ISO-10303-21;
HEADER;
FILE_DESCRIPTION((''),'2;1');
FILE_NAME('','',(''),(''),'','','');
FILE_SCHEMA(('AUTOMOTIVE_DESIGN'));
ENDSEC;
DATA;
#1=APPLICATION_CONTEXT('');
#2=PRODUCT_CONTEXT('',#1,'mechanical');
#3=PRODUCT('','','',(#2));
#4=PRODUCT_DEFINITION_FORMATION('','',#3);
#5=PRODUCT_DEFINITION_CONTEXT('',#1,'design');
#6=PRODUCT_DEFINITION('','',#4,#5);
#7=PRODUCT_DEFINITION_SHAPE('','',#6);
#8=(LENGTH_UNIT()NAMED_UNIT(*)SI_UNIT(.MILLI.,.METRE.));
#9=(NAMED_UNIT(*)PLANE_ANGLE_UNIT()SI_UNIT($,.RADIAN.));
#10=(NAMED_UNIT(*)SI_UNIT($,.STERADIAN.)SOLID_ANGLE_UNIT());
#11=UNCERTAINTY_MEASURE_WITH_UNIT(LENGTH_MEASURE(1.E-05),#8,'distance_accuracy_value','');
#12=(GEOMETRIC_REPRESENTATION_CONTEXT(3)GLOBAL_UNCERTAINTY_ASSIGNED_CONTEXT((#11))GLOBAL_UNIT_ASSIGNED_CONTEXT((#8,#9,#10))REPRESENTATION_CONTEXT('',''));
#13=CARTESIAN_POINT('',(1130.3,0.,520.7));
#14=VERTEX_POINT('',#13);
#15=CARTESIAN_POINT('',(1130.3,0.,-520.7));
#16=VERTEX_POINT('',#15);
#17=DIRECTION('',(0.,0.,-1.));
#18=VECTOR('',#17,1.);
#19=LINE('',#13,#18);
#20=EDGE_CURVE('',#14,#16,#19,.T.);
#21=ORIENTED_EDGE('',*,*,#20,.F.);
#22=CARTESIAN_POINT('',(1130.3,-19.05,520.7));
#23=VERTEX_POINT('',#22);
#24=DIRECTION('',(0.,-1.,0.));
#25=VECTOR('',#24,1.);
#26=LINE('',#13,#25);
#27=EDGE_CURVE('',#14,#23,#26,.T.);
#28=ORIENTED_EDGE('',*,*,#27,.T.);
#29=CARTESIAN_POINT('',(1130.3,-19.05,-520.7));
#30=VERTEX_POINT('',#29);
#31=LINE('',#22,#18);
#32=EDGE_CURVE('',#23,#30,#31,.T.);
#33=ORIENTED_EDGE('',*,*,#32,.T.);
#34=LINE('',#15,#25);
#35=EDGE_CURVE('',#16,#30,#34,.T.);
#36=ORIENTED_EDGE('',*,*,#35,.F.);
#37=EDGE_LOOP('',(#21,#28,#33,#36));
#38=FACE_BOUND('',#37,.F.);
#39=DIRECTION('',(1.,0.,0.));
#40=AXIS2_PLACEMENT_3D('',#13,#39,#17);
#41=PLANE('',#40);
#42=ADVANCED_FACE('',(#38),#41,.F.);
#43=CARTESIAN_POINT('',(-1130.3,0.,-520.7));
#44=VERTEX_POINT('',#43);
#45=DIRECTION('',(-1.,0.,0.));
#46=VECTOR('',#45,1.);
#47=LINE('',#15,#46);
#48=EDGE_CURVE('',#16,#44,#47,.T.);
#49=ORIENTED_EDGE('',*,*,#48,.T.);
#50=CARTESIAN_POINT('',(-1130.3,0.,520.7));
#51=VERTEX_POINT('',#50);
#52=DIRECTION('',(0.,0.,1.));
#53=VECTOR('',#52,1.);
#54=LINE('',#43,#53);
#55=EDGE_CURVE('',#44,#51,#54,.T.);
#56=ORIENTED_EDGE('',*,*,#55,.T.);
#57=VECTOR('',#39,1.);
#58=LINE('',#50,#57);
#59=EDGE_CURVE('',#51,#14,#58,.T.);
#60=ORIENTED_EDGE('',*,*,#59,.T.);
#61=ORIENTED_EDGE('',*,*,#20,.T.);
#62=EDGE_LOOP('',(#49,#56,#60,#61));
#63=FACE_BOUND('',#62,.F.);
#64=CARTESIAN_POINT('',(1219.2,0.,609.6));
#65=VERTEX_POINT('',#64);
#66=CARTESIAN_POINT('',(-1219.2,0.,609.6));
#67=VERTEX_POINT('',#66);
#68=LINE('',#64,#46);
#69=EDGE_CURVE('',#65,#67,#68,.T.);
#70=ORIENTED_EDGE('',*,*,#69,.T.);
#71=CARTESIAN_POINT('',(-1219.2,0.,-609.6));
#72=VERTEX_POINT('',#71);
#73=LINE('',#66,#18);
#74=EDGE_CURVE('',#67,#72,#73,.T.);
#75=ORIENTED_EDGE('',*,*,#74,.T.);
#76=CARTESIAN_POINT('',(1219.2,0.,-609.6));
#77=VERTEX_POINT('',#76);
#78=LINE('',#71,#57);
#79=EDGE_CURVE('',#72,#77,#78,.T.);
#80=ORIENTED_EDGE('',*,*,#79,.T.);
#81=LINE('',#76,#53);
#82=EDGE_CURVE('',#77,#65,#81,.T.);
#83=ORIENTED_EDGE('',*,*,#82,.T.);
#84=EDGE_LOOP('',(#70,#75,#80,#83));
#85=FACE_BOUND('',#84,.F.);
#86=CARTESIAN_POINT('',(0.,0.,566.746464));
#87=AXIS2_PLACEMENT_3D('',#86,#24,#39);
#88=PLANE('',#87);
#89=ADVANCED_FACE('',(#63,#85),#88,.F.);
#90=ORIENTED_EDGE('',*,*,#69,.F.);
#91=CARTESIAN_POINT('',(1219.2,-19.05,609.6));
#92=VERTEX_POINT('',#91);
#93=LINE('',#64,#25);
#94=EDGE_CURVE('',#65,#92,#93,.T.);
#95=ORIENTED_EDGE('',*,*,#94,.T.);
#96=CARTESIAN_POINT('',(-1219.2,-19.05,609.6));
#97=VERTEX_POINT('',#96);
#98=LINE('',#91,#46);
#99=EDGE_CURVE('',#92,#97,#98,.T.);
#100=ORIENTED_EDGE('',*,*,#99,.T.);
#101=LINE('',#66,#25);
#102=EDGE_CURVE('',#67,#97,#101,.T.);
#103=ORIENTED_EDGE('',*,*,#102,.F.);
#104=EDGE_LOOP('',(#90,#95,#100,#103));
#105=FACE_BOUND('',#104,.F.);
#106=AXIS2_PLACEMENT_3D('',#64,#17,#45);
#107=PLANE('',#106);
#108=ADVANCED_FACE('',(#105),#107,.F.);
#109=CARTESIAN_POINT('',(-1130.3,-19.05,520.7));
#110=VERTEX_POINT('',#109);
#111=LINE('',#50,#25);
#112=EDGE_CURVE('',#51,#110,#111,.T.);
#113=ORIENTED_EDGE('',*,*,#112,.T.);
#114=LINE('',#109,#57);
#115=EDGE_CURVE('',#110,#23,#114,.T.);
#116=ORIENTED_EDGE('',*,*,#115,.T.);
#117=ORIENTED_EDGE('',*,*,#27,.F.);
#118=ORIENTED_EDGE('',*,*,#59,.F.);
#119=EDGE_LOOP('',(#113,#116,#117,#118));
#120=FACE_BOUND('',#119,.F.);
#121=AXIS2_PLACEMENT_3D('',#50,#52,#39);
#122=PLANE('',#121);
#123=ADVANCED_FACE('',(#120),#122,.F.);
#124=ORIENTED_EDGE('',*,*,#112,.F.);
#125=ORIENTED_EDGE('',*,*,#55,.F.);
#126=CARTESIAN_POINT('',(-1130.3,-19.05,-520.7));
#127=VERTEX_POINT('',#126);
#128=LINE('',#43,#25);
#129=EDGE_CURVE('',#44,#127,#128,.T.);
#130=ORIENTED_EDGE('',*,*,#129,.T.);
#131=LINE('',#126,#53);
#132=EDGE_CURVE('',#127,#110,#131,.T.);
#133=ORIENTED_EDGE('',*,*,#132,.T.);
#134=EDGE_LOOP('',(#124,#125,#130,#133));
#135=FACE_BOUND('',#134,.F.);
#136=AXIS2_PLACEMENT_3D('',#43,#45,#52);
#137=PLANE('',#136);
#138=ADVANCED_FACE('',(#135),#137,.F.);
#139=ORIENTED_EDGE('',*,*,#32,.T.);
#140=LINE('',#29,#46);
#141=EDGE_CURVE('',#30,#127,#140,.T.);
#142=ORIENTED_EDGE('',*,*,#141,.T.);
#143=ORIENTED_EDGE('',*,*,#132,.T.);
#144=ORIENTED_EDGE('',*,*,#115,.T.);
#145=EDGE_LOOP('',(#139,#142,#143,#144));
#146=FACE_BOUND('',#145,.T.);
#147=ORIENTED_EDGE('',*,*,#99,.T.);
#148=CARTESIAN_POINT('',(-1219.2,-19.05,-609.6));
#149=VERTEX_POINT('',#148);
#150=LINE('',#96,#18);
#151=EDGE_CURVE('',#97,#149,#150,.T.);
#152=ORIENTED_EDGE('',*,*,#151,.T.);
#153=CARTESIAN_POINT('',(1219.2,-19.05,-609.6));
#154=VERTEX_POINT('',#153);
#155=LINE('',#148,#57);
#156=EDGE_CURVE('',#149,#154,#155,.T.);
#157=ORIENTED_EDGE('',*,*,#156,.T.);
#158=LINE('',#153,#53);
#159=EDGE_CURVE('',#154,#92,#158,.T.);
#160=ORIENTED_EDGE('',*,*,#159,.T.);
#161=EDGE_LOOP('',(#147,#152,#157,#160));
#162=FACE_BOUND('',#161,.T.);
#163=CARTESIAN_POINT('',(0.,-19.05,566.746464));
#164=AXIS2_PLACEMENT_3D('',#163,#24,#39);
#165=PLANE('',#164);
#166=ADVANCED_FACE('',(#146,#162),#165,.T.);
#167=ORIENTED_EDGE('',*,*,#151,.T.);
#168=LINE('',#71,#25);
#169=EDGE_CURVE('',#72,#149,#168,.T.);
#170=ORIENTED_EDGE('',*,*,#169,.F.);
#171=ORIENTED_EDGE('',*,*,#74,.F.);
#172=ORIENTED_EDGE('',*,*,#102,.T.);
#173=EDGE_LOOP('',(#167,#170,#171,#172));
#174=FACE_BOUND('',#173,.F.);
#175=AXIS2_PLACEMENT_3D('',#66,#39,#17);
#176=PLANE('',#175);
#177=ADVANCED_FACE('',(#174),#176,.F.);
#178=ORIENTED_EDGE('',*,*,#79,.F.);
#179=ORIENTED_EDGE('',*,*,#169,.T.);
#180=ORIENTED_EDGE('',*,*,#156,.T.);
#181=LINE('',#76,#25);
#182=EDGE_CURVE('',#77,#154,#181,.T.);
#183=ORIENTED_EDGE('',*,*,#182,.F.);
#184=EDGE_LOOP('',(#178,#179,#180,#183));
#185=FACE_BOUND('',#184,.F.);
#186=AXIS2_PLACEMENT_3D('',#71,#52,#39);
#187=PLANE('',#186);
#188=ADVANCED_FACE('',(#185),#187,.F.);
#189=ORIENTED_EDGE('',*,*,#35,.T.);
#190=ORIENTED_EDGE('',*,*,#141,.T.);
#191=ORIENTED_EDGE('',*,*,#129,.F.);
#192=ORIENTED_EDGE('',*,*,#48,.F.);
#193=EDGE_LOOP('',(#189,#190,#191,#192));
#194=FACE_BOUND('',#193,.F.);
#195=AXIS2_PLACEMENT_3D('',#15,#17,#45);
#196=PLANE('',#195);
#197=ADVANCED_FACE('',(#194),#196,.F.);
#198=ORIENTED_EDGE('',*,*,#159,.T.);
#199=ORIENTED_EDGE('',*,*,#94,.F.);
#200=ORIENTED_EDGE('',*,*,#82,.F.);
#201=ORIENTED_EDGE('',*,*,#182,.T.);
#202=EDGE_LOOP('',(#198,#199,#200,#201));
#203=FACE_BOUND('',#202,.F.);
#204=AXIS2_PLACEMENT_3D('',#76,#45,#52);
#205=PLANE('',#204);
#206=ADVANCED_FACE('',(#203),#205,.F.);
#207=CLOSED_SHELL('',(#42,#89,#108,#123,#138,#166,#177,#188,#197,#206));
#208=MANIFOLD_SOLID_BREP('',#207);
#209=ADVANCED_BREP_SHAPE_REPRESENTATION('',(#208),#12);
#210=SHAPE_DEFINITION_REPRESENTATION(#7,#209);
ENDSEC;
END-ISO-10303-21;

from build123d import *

# Parameters (mm, degrees)
F1_DEPTH = 19.05


with BuildPart() as f1:
    # F0 (on Front) → F1 (new body)
    with BuildSketch(Plane.XZ):
        Polygon((1130.3, 520.7), (1219.2, 609.6), (-1219.2, 609.6), (-1130.3, 520.7), align=None)
        Polygon((1219.2, -609.6), (1219.2, 609.6), (1130.3, 520.7), (1130.3, -520.7), align=None)
        Polygon((-1219.2, -609.6), (1219.2, -609.6), (1130.3, -520.7), (-1130.3, -520.7), align=None)
        Polygon((-1130.3, 520.7), (-1219.2, 609.6), (-1219.2, -609.6), (-1130.3, -520.7), align=None)
    extrude(amount=F1_DEPTH)


solid = f1.part
